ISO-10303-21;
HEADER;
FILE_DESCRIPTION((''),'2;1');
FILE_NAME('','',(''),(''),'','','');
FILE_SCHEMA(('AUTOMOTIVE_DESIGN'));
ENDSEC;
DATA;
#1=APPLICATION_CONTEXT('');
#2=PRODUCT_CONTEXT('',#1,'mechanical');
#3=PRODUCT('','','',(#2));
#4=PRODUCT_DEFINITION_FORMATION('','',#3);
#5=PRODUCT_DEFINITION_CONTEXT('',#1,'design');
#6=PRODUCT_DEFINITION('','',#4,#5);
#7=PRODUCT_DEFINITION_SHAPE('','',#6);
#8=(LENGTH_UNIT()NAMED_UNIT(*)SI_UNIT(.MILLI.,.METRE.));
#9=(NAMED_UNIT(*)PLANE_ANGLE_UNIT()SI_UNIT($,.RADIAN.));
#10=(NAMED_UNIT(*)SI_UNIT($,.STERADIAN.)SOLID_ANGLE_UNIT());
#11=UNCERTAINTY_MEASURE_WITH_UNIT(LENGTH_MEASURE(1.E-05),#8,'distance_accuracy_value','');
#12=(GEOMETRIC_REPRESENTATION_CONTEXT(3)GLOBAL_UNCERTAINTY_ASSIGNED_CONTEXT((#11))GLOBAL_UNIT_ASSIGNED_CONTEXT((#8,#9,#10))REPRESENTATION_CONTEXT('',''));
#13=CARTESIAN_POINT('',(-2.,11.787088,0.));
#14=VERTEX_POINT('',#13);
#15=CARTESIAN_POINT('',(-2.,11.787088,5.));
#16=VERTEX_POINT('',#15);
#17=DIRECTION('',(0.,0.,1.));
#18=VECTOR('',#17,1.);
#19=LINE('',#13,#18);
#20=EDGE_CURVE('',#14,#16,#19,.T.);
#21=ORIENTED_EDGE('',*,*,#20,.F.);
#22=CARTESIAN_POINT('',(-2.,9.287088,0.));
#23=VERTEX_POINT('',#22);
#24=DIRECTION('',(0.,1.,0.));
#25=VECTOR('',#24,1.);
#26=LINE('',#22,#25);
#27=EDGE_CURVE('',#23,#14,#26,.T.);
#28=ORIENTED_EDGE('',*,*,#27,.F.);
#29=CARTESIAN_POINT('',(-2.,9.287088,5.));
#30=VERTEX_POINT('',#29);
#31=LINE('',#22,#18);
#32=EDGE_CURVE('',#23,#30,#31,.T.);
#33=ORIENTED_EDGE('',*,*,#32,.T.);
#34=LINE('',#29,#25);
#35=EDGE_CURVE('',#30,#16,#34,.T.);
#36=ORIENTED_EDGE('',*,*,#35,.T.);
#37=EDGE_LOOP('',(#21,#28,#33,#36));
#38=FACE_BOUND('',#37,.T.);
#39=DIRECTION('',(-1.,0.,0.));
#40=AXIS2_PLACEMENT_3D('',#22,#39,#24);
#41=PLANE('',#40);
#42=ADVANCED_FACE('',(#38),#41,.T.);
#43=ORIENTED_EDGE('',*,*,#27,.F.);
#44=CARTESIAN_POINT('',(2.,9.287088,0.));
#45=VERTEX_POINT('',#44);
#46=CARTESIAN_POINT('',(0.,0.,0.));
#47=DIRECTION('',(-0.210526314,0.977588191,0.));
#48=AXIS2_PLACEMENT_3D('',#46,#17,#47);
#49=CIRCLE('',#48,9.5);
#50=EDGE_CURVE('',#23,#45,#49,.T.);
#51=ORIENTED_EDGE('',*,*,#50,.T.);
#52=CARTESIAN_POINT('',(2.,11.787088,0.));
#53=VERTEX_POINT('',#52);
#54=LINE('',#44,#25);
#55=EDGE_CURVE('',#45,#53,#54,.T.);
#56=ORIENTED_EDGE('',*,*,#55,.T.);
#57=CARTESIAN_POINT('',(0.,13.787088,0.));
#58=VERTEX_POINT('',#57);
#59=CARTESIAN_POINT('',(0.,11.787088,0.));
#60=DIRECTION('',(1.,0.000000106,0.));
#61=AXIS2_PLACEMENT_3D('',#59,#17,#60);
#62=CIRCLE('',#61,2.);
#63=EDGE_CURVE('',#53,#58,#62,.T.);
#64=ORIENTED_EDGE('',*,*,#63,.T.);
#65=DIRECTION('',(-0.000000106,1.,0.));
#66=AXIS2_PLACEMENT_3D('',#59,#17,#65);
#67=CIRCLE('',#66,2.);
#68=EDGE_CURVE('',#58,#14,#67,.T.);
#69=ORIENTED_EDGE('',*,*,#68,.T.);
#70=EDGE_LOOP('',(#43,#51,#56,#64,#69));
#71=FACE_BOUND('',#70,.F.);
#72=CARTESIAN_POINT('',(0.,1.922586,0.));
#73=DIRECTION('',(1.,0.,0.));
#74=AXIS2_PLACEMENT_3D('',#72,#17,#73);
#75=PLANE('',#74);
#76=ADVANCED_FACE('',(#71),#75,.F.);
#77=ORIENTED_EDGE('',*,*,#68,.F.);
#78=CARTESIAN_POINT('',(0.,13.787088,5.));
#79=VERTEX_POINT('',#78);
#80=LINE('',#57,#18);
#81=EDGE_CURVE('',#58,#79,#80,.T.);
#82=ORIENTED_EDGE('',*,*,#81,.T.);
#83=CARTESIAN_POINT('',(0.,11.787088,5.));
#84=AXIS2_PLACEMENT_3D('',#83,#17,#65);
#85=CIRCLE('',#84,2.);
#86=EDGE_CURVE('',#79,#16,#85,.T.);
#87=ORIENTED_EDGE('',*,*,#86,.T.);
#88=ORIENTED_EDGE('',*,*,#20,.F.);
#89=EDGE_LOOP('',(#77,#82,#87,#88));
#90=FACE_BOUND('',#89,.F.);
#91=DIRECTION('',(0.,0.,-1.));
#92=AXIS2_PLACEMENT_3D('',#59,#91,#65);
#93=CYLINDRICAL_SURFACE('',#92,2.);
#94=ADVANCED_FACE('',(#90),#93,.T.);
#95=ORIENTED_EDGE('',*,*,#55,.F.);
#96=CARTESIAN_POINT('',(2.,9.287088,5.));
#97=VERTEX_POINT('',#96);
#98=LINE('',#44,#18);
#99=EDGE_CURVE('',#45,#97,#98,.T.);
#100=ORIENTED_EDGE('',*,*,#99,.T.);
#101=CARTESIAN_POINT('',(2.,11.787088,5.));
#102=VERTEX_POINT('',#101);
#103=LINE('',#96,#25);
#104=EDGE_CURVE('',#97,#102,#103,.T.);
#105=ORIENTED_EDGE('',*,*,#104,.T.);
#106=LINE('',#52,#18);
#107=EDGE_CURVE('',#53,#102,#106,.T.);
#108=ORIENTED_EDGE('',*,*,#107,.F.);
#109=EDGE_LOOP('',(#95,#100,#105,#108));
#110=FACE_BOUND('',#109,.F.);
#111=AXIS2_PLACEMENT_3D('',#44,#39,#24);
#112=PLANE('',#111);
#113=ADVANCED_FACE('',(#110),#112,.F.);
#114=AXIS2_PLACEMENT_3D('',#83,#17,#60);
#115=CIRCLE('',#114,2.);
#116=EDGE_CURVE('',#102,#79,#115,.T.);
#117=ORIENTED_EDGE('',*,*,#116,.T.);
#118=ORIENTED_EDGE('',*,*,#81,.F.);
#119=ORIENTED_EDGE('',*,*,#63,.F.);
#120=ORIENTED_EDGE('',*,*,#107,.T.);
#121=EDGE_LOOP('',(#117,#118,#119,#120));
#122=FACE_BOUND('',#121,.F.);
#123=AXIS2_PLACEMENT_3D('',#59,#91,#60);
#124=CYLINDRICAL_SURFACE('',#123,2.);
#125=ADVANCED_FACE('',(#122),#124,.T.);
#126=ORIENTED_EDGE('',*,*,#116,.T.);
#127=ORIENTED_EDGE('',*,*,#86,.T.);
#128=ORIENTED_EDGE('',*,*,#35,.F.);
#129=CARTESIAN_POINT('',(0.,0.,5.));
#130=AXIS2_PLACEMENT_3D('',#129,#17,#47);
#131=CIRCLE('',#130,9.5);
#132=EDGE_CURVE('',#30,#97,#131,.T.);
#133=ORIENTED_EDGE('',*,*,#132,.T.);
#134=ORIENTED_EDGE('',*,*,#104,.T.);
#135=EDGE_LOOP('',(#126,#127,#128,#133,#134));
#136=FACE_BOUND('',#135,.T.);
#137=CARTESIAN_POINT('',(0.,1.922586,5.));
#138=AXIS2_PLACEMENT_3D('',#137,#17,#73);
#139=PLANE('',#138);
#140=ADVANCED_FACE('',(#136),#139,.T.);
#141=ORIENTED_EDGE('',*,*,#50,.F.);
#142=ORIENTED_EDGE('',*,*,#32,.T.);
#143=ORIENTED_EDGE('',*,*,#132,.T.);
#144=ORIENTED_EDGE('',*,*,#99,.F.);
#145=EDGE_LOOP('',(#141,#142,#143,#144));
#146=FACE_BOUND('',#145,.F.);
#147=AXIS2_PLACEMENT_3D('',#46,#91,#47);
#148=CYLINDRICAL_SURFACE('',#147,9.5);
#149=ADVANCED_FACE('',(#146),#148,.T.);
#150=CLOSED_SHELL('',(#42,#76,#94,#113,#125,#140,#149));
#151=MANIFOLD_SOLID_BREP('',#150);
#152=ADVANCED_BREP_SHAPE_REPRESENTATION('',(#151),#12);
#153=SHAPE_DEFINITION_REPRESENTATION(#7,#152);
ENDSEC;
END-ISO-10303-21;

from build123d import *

# Parameters (mm, degrees)
PAD_DEPTH = 5


with BuildPart() as part:
    # Sketch → Pad (new body)
    with BuildSketch(Plane.XY):
        with BuildLine():
            ThreePointArc((-2, 9.287088), (0, -9.5), (2, 9.287088))
            Line((2, 9.287088), (2, 11.787088))
            ThreePointArc((2, 11.787088), (1.414214, 13.201301), (0, 13.787088))
            ThreePointArc((0, 13.787088), (-1.414214, 13.201301), (-2, 11.787088))
            Line((-2, 9.287088), (-2, 11.787088))
        make_face()
    extrude(amount=PAD_DEPTH)


solid = part.part
